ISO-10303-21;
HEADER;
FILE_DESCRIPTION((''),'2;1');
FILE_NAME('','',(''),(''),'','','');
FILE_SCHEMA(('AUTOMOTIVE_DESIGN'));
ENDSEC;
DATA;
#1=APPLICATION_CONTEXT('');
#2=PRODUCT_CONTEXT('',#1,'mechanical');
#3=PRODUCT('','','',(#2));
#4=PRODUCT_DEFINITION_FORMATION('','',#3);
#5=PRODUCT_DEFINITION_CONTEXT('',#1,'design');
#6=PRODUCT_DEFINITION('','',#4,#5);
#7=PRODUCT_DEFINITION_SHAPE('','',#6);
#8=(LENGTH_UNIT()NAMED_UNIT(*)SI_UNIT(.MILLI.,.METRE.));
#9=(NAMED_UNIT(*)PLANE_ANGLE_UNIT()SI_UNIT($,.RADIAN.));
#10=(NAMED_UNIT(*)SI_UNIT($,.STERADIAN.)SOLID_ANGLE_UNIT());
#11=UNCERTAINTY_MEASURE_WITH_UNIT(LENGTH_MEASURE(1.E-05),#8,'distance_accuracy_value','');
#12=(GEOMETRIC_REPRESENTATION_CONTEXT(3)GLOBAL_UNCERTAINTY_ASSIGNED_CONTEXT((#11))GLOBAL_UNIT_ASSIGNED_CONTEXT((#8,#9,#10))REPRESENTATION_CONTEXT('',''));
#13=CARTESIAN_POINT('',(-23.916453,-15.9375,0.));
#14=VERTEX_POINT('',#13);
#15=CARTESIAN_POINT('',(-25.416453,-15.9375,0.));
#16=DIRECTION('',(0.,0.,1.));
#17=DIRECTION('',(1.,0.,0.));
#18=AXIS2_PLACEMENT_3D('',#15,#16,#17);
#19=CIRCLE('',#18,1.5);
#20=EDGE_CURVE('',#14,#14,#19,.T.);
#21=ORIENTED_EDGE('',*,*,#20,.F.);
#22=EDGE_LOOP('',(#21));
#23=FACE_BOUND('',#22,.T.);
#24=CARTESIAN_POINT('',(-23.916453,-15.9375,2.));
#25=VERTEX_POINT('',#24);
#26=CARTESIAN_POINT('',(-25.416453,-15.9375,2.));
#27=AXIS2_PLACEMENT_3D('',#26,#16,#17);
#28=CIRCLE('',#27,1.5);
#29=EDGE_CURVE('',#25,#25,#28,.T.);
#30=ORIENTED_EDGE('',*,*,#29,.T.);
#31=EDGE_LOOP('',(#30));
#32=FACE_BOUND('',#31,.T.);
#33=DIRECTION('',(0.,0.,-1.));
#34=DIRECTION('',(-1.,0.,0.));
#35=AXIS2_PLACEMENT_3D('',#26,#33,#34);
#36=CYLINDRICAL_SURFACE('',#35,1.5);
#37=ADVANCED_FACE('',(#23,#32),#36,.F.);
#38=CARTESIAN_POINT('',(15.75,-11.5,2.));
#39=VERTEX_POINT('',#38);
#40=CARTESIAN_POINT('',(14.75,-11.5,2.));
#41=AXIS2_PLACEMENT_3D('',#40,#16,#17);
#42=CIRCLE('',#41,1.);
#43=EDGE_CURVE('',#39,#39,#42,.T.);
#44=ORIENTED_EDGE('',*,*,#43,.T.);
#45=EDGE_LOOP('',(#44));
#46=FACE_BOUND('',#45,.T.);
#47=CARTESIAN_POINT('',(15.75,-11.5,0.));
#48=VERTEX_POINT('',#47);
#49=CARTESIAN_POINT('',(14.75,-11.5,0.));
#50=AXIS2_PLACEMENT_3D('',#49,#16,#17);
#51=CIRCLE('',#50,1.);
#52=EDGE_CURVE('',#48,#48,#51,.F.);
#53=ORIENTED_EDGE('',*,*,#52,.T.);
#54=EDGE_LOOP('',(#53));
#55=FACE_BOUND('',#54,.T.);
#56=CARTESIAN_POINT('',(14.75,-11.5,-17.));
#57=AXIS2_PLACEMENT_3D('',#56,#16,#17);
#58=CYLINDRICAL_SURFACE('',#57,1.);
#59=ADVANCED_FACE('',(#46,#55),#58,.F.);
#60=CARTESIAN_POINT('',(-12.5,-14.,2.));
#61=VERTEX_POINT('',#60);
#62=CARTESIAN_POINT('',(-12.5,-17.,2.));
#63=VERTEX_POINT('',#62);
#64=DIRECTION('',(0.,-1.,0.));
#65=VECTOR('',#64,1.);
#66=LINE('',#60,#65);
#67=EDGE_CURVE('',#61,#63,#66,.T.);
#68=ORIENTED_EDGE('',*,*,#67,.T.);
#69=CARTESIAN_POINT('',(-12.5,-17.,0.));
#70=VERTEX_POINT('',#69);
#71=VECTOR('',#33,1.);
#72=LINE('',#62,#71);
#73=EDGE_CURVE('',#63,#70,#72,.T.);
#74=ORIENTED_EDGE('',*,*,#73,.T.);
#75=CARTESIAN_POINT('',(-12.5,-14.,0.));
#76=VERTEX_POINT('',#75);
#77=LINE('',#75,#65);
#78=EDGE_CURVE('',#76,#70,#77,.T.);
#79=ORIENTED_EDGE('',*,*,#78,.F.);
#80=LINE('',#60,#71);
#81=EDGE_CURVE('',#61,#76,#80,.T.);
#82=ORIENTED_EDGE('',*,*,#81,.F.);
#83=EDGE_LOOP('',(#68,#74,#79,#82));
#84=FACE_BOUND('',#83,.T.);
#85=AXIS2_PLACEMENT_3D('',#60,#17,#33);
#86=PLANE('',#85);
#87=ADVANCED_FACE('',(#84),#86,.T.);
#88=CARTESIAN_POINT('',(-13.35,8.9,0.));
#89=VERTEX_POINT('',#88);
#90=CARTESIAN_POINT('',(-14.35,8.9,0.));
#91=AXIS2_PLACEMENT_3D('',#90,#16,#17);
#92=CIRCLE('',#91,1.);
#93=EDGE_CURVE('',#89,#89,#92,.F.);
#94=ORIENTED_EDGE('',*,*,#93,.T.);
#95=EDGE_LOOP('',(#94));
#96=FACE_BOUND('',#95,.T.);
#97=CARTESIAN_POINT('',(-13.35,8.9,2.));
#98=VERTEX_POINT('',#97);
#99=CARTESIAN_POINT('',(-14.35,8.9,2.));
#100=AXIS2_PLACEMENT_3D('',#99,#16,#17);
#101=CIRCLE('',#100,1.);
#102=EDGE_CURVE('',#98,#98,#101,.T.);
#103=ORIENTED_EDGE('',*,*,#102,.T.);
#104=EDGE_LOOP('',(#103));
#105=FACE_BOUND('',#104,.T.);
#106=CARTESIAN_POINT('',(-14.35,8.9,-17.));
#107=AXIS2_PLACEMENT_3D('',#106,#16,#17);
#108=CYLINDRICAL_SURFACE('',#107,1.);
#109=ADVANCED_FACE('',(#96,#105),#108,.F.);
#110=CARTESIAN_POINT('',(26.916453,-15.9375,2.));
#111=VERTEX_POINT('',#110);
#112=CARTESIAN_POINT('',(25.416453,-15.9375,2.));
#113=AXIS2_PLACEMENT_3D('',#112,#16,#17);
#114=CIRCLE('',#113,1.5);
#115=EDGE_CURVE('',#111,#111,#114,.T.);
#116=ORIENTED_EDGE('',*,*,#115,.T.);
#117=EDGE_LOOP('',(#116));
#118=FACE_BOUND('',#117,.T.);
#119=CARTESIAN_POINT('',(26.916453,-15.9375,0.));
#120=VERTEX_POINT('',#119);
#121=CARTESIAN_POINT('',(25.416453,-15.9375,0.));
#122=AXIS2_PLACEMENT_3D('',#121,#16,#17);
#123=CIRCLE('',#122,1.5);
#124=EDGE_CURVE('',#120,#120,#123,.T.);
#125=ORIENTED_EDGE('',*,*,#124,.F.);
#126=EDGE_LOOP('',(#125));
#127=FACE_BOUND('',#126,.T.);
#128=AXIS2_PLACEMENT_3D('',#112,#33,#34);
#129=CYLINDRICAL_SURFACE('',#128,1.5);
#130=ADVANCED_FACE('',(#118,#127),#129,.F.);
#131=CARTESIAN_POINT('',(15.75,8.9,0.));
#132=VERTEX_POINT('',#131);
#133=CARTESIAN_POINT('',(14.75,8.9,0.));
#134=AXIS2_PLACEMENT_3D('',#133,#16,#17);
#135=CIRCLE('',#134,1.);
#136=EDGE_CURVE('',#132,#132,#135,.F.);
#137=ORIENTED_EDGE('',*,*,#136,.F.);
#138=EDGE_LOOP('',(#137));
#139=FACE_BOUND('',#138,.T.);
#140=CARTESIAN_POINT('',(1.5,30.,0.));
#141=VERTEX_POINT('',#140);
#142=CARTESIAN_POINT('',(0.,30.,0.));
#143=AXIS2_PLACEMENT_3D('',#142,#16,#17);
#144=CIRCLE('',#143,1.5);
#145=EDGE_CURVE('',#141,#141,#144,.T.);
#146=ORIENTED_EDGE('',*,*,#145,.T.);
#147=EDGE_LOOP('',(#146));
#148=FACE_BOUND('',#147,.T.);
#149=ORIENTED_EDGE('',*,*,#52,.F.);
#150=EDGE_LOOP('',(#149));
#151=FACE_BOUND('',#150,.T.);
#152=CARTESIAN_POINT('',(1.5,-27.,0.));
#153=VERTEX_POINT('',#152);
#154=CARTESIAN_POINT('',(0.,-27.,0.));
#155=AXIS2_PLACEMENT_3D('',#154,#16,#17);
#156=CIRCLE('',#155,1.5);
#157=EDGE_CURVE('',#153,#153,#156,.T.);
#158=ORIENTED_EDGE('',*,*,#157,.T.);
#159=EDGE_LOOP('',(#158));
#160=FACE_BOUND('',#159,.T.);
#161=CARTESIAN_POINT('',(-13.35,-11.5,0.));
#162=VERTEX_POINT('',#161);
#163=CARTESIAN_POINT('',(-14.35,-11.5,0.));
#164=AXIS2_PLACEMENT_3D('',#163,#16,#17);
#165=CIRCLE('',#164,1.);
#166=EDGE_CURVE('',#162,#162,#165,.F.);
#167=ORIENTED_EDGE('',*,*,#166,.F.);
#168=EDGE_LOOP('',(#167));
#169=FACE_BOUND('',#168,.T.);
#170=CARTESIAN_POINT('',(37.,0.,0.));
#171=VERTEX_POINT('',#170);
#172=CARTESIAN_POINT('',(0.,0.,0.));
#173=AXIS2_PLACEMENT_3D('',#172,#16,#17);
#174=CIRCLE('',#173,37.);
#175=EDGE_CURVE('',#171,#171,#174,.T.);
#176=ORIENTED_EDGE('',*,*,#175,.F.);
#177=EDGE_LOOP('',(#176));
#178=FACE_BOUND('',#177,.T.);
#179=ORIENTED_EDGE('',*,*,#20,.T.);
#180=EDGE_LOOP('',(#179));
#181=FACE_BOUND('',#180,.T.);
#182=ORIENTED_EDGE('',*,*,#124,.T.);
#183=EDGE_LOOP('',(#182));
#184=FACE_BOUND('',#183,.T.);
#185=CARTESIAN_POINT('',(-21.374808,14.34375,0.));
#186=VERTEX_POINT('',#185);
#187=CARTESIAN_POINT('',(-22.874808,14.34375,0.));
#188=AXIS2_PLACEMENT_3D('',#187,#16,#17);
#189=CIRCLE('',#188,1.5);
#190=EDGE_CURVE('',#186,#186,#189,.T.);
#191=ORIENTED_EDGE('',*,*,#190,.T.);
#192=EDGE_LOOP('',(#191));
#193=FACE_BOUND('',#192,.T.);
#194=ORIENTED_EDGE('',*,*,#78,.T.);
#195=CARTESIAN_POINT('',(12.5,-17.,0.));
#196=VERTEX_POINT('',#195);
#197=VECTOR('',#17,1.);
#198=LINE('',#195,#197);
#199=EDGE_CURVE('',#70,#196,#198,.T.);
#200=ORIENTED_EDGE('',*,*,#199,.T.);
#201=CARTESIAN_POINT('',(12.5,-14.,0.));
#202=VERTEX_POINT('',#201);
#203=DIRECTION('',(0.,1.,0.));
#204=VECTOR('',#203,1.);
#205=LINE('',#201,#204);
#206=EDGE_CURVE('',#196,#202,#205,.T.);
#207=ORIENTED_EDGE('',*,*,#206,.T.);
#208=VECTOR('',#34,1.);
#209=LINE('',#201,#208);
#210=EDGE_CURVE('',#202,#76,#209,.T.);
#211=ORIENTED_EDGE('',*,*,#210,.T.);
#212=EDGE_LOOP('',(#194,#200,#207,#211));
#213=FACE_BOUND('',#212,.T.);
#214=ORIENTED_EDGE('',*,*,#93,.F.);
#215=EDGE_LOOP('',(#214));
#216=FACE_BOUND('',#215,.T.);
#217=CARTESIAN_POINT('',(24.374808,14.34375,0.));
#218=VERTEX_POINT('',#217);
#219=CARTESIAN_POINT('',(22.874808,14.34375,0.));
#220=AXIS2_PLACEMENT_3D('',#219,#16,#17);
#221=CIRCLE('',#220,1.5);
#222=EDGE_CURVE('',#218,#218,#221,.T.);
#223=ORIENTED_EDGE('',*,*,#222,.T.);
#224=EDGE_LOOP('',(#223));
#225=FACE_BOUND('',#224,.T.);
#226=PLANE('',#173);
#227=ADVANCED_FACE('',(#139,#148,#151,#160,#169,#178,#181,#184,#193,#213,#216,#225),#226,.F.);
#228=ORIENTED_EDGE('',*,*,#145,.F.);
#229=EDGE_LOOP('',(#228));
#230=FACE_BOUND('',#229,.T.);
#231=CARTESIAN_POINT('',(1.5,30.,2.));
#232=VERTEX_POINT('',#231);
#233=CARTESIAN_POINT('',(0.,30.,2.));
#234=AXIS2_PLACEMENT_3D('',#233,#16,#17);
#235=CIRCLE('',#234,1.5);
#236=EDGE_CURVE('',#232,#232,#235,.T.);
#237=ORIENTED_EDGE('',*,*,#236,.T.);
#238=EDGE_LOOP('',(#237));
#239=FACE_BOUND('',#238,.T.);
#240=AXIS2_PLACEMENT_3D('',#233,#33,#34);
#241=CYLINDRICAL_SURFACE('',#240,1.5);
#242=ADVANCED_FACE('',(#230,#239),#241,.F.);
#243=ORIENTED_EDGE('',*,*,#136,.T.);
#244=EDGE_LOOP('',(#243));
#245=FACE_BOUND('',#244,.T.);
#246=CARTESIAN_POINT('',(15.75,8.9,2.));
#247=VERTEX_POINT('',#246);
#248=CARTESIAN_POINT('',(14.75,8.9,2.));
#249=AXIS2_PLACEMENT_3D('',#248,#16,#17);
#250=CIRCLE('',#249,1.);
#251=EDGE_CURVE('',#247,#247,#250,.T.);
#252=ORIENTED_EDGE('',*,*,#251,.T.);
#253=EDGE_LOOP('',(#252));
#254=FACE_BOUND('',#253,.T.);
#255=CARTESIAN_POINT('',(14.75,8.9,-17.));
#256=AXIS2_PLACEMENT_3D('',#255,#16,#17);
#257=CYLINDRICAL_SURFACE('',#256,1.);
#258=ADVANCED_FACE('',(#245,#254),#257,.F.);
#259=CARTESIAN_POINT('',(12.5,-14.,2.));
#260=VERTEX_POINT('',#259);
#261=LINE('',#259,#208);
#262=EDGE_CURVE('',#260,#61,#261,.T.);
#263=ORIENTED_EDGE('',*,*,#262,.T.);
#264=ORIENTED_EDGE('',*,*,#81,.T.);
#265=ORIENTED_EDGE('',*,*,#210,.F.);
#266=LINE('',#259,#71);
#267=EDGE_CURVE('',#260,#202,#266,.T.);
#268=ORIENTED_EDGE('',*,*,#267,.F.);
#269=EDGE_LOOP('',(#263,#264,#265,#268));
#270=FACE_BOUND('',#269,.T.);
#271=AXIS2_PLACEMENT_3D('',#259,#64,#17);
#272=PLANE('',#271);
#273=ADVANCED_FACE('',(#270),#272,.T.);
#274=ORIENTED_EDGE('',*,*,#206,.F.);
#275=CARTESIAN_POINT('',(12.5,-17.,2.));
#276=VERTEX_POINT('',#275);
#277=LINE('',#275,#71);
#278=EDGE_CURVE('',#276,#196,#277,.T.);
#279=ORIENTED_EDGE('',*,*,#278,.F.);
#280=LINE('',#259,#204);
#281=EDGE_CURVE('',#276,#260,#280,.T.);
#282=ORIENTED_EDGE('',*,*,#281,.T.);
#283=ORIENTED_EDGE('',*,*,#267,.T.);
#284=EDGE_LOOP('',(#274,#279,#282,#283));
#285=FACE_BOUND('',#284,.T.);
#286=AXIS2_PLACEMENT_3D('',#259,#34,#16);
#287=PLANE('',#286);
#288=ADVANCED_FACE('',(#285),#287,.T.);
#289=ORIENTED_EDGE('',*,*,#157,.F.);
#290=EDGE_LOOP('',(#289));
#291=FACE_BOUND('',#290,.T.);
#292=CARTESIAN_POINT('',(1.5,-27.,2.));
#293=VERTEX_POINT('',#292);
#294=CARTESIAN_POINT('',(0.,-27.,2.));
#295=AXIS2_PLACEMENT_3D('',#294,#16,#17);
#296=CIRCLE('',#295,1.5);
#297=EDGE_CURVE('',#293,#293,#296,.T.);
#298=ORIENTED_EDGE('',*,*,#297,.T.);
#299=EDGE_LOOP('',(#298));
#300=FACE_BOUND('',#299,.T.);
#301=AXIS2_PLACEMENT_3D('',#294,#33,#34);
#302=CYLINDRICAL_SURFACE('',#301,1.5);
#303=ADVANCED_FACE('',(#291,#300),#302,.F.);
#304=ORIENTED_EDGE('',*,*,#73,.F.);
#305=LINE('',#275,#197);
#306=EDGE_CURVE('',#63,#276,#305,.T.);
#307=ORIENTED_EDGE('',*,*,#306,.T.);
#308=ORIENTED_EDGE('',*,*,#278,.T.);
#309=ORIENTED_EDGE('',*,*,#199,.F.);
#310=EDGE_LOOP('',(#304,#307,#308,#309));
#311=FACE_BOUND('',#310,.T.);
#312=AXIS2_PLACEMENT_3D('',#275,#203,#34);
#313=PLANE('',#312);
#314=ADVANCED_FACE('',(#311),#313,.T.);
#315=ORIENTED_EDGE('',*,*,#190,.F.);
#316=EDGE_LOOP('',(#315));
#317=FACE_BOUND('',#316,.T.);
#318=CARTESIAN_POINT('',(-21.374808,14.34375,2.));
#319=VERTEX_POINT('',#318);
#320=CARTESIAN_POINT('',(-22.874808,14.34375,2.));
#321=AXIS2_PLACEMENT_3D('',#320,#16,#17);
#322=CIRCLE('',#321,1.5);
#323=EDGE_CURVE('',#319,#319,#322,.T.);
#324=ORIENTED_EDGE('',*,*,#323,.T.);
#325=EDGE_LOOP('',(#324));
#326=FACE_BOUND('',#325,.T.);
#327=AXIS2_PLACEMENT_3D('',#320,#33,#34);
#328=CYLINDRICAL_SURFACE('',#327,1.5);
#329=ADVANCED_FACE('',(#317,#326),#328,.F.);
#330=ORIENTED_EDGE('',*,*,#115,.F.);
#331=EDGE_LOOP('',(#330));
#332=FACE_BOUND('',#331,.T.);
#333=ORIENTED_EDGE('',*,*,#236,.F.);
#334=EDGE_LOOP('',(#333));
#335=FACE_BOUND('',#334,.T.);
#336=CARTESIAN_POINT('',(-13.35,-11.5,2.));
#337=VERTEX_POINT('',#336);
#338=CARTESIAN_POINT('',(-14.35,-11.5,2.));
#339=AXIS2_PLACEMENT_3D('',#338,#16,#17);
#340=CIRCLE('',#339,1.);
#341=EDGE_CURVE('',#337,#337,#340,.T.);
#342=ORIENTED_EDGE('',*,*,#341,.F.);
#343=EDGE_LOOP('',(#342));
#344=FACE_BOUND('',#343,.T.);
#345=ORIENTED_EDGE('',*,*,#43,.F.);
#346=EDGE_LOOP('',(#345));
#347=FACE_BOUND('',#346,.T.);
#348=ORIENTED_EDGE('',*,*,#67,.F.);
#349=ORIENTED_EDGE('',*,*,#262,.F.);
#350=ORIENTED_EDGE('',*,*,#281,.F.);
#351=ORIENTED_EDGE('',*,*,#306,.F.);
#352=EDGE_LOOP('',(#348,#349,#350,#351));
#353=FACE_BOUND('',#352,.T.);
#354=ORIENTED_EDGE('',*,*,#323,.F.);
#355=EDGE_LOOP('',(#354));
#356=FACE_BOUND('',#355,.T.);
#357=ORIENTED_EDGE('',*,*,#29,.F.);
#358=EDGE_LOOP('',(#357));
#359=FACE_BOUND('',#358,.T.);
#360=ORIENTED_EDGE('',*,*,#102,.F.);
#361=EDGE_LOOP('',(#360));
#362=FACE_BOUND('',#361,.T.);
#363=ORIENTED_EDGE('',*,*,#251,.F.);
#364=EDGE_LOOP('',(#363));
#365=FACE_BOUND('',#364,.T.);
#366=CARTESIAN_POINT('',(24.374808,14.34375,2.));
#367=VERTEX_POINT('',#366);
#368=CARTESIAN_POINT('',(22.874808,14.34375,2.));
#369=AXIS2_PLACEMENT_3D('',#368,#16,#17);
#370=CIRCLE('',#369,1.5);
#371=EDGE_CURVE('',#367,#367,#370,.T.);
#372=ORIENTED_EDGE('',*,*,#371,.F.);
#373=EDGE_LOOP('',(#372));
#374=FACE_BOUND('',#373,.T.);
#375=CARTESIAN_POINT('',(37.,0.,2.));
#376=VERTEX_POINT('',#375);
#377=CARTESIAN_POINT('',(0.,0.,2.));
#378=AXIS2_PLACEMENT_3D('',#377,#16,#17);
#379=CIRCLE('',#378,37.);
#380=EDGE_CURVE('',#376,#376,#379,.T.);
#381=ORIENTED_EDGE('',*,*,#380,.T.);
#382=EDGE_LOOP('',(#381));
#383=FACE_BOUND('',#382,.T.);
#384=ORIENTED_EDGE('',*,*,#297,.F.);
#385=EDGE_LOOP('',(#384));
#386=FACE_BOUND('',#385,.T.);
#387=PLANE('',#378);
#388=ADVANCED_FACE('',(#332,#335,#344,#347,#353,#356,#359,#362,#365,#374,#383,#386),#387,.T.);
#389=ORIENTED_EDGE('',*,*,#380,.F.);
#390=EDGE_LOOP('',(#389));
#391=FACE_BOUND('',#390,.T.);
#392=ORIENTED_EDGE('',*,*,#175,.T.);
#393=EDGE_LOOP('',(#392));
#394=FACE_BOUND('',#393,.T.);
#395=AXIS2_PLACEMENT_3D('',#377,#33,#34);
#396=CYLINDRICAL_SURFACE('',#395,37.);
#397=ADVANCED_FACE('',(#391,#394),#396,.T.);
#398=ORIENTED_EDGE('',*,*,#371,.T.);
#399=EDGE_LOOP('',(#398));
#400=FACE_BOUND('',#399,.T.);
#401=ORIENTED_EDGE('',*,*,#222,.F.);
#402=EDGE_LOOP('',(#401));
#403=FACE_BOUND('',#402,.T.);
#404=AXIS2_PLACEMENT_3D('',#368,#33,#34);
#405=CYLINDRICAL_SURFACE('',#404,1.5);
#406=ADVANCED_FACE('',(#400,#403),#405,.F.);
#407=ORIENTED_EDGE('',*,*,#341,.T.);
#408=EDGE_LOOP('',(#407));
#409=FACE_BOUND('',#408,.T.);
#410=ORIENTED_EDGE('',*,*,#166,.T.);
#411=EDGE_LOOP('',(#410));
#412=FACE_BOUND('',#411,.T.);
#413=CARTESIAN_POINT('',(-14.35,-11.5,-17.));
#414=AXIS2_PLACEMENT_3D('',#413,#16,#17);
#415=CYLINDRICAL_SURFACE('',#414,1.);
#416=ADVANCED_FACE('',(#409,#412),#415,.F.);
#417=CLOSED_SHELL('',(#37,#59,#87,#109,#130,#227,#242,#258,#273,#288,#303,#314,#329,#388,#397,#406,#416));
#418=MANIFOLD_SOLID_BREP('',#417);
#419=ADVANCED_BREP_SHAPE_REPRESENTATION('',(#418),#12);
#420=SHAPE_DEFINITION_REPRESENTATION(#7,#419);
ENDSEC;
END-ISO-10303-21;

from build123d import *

# Parameters (mm, degrees)
ESQUISSE1_R             = 37
ESQUISSE1_R_2           = 1.5
ESQUISSE1_W             = 25
ESQUISSE1_H             = 3
BOSS_EXTRU_1_DEPTH      = 2
BOSS_EXTRU_2_DEPTH      = 15
ESQUISSE3_W             = 2
ESQUISSE3_H             = 28.4
BOSS_EXTRU_3_DEPTH      = 2.25
ESQUISSE5_W             = 2
ESQUISSE5_H             = 24.4
BOSS_EXTRU_4_DEPTH      = 2.25
ESQUISSE7_W             = 33.1
ESQUISSE7_H             = 28.4
BOSS_EXTRU_5_DEPTH      = 1
ESQUISSE8_W             = 15
ESQUISSE8_H             = 15
ENL_V_MAT_EXTRU_1_DEPTH = 3
ESQUISSE9_W             = 21
ESQUISSE9_H             = 2.5
ENL_V_MAT_EXTRU_2_DEPTH = 3
ESQUISSE10_R            = 1
ENL_V_MAT_EXTRU_3_DEPTH = 19
ESQUISSE11_W            = 33.1
ESQUISSE11_H            = 28.4
ENL_V_MAT_EXTRU_4_DEPTH = 15


with BuildPart() as part:
    # Esquisse1 → Boss.-Extru.1 (new body)
    with BuildSketch(Plane.XY):
        Circle(ESQUISSE1_R)
        with Locations((0, 30)):
            Circle(ESQUISSE1_R_2, mode=Mode.SUBTRACT)
        with Locations((-22.874807889, 14.34375)):
            Circle(ESQUISSE1_R_2, mode=Mode.SUBTRACT)
        with Locations((-25.416453209, -15.9375)):
            Circle(ESQUISSE1_R_2, mode=Mode.SUBTRACT)
        with Locations((0, -27)):
            Circle(ESQUISSE1_R_2, mode=Mode.SUBTRACT)
        with Locations((25.416453209, -15.9375)):
            Circle(ESQUISSE1_R_2, mode=Mode.SUBTRACT)
        with Locations((22.874807889, 14.34375)):
            Circle(ESQUISSE1_R_2, mode=Mode.SUBTRACT)
        with Locations((0, -15.5)):
            Rectangle(ESQUISSE1_W, ESQUISSE1_H, mode=Mode.SUBTRACT)
    extrude(amount=BOSS_EXTRU_1_DEPTH)

    # Esquisse2 → Boss.-Extru.2 (add)
    with BuildSketch(Plane(origin=(0, 0, 0), x_dir=(-1, 0, 0), z_dir=(0, 0, -1))):
        Polygon((-16.75, 14.9), (-12.75, 14.9), (-12.75, -9.5), (12.35, -9.5), (12.35, 14.9), (16.35, 14.9), (16.35, -13.5), (-16.75, -13.5), align=None)
    extrude(amount=BOSS_EXTRU_2_DEPTH)

    # Esquisse3 → Boss.-Extru.3 (add)
    with BuildSketch(Plane(origin=(-12.35, 0, 0), x_dir=(0, 0, -1), z_dir=(1, 0, 0))):
        with Locations((9.625, 0.7)):
            Rectangle(ESQUISSE3_W, ESQUISSE3_H)
        with Locations((6.625, 0.7)):
            Rectangle(ESQUISSE3_W, ESQUISSE3_H)
    extrude(amount=BOSS_EXTRU_3_DEPTH)

    # Esquisse5 → Boss.-Extru.4 (add)
    with BuildSketch(Plane.ZY.offset(-12.75)):
        with Locations((-9.625, 2.7)):
            Rectangle(ESQUISSE5_W, ESQUISSE5_H)
        with Locations((-6.625, 2.7)):
            Rectangle(ESQUISSE5_W, ESQUISSE5_H)
    extrude(amount=BOSS_EXTRU_4_DEPTH)

    # Esquisse7 → Boss.-Extru.5 (add)
    with BuildSketch(Plane(origin=(0, 0, -15), x_dir=(-1, 0, 0), z_dir=(0, 0, -1))):
        with Locations((-0.2, 0.7)):
            Rectangle(ESQUISSE7_W, ESQUISSE7_H)
    extrude(amount=-BOSS_EXTRU_5_DEPTH)

    # Esquisse8 → Enlèv. mat.-Extru.1 (cut)
    with BuildSketch(Plane(origin=(0, 0, -15), x_dir=(-1, 0, 0), z_dir=(0, 0, -1))):
        Rectangle(ESQUISSE8_W, ESQUISSE8_H)
    extrude(amount=-ENL_V_MAT_EXTRU_1_DEPTH, mode=Mode.SUBTRACT)

    # Esquisse9 → Enlèv. mat.-Extru.2 (cut)
    with BuildSketch(Plane.XZ.offset(13.5)):
        with Locations((0, -5.65)):
            Rectangle(ESQUISSE9_W, ESQUISSE9_H)
    extrude(amount=-ENL_V_MAT_EXTRU_2_DEPTH, mode=Mode.SUBTRACT)

    # Esquisse10 → Enlèv. mat.-Extru.3 (cut)
    with BuildSketch(Plane.XY.offset(2)):
        with Locations((-14.35, 8.9)):
            Circle(ESQUISSE10_R)
        with Locations((-14.35, -11.5)):
            Circle(ESQUISSE10_R)
        with Locations((14.75, -11.5)):
            Circle(ESQUISSE10_R)
        with Locations((14.75, 8.9)):
            Circle(ESQUISSE10_R)
    extrude(amount=-ENL_V_MAT_EXTRU_3_DEPTH, mode=Mode.SUBTRACT)

    # Esquisse11 → Enlèv. mat.-Extru.4 (cut)
    with BuildSketch(Plane(origin=(0, 0, -15), x_dir=(-1, 0, 0), z_dir=(0, 0, -1))):
        with Locations((-0.2, 0.7)):
            Rectangle(ESQUISSE11_W, ESQUISSE11_H)
    extrude(amount=-ENL_V_MAT_EXTRU_4_DEPTH, mode=Mode.SUBTRACT)


solid = part.part
